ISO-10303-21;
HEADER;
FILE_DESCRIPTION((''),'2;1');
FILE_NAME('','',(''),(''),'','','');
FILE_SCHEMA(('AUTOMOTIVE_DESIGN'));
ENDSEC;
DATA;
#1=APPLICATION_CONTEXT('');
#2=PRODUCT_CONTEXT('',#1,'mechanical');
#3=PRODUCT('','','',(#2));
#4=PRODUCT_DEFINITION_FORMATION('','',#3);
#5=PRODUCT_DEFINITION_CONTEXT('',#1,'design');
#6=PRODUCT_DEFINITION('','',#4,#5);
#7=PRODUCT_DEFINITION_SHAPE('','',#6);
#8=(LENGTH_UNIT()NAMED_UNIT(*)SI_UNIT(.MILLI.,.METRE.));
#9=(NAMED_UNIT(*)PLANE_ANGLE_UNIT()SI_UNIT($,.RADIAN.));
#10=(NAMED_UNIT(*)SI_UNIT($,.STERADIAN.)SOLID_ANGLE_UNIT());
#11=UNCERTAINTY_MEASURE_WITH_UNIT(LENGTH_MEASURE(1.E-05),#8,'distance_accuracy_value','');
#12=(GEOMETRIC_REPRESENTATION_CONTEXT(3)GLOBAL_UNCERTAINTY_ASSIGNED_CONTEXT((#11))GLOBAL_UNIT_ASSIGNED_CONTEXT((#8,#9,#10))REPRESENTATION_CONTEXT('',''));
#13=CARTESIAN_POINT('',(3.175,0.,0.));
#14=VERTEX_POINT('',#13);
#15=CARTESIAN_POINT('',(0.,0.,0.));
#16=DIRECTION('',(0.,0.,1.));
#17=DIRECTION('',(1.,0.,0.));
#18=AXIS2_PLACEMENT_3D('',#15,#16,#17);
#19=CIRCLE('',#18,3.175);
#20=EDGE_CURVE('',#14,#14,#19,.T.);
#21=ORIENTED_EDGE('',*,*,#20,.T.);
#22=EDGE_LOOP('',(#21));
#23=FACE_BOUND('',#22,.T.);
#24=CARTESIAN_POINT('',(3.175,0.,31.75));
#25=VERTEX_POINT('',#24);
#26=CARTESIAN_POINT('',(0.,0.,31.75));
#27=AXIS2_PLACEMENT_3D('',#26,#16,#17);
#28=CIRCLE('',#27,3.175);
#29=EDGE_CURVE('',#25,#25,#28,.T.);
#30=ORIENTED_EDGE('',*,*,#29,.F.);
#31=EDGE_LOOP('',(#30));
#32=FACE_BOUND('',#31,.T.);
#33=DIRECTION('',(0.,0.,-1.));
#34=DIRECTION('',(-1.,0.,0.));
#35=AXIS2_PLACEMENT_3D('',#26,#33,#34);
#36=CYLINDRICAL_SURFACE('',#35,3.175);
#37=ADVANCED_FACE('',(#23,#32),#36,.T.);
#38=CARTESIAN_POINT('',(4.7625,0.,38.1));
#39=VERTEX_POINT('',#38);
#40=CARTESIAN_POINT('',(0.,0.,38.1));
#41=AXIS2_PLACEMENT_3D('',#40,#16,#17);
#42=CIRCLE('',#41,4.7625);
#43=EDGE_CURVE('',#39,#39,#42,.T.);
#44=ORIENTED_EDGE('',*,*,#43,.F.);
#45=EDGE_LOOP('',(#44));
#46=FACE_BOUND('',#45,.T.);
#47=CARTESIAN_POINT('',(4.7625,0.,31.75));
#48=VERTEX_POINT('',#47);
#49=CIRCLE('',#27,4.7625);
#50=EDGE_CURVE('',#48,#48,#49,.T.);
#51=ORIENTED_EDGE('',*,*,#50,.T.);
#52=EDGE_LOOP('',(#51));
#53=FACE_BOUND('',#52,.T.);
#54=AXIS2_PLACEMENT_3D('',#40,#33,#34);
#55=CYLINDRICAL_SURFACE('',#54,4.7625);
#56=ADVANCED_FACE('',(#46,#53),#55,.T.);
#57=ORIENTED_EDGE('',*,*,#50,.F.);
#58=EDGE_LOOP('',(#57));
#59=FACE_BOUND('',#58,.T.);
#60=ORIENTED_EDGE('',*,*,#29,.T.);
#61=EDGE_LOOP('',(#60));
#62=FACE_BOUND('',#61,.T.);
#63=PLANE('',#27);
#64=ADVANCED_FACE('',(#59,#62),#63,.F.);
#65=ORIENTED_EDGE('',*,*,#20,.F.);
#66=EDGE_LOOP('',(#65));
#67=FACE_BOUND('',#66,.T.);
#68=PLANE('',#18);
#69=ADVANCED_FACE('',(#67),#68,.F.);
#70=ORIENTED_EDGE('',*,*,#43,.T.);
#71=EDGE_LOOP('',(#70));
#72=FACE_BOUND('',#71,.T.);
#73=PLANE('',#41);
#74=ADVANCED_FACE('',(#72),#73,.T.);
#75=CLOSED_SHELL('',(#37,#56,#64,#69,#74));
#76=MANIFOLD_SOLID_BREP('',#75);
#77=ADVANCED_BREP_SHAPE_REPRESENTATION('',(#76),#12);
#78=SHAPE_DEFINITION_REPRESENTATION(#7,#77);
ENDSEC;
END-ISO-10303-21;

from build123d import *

# Parameters (mm, degrees)
SKETCH1_R           = 3.175
BOSS_EXTRUDE1_DEPTH = 31.75
SKETCH2_R           = 4.7625
BOSS_EXTRUDE2_DEPTH = 6.35


with BuildPart() as part:
    # Sketch1 → Boss-Extrude1 (new body)
    with BuildSketch(Plane.XY):
        Circle(SKETCH1_R)
    extrude(amount=BOSS_EXTRUDE1_DEPTH)

    # Sketch2 → Boss-Extrude2 (add)
    with BuildSketch(Plane.XY.offset(31.75)):
        Circle(SKETCH2_R)
    extrude(amount=BOSS_EXTRUDE2_DEPTH)


solid = part.part
